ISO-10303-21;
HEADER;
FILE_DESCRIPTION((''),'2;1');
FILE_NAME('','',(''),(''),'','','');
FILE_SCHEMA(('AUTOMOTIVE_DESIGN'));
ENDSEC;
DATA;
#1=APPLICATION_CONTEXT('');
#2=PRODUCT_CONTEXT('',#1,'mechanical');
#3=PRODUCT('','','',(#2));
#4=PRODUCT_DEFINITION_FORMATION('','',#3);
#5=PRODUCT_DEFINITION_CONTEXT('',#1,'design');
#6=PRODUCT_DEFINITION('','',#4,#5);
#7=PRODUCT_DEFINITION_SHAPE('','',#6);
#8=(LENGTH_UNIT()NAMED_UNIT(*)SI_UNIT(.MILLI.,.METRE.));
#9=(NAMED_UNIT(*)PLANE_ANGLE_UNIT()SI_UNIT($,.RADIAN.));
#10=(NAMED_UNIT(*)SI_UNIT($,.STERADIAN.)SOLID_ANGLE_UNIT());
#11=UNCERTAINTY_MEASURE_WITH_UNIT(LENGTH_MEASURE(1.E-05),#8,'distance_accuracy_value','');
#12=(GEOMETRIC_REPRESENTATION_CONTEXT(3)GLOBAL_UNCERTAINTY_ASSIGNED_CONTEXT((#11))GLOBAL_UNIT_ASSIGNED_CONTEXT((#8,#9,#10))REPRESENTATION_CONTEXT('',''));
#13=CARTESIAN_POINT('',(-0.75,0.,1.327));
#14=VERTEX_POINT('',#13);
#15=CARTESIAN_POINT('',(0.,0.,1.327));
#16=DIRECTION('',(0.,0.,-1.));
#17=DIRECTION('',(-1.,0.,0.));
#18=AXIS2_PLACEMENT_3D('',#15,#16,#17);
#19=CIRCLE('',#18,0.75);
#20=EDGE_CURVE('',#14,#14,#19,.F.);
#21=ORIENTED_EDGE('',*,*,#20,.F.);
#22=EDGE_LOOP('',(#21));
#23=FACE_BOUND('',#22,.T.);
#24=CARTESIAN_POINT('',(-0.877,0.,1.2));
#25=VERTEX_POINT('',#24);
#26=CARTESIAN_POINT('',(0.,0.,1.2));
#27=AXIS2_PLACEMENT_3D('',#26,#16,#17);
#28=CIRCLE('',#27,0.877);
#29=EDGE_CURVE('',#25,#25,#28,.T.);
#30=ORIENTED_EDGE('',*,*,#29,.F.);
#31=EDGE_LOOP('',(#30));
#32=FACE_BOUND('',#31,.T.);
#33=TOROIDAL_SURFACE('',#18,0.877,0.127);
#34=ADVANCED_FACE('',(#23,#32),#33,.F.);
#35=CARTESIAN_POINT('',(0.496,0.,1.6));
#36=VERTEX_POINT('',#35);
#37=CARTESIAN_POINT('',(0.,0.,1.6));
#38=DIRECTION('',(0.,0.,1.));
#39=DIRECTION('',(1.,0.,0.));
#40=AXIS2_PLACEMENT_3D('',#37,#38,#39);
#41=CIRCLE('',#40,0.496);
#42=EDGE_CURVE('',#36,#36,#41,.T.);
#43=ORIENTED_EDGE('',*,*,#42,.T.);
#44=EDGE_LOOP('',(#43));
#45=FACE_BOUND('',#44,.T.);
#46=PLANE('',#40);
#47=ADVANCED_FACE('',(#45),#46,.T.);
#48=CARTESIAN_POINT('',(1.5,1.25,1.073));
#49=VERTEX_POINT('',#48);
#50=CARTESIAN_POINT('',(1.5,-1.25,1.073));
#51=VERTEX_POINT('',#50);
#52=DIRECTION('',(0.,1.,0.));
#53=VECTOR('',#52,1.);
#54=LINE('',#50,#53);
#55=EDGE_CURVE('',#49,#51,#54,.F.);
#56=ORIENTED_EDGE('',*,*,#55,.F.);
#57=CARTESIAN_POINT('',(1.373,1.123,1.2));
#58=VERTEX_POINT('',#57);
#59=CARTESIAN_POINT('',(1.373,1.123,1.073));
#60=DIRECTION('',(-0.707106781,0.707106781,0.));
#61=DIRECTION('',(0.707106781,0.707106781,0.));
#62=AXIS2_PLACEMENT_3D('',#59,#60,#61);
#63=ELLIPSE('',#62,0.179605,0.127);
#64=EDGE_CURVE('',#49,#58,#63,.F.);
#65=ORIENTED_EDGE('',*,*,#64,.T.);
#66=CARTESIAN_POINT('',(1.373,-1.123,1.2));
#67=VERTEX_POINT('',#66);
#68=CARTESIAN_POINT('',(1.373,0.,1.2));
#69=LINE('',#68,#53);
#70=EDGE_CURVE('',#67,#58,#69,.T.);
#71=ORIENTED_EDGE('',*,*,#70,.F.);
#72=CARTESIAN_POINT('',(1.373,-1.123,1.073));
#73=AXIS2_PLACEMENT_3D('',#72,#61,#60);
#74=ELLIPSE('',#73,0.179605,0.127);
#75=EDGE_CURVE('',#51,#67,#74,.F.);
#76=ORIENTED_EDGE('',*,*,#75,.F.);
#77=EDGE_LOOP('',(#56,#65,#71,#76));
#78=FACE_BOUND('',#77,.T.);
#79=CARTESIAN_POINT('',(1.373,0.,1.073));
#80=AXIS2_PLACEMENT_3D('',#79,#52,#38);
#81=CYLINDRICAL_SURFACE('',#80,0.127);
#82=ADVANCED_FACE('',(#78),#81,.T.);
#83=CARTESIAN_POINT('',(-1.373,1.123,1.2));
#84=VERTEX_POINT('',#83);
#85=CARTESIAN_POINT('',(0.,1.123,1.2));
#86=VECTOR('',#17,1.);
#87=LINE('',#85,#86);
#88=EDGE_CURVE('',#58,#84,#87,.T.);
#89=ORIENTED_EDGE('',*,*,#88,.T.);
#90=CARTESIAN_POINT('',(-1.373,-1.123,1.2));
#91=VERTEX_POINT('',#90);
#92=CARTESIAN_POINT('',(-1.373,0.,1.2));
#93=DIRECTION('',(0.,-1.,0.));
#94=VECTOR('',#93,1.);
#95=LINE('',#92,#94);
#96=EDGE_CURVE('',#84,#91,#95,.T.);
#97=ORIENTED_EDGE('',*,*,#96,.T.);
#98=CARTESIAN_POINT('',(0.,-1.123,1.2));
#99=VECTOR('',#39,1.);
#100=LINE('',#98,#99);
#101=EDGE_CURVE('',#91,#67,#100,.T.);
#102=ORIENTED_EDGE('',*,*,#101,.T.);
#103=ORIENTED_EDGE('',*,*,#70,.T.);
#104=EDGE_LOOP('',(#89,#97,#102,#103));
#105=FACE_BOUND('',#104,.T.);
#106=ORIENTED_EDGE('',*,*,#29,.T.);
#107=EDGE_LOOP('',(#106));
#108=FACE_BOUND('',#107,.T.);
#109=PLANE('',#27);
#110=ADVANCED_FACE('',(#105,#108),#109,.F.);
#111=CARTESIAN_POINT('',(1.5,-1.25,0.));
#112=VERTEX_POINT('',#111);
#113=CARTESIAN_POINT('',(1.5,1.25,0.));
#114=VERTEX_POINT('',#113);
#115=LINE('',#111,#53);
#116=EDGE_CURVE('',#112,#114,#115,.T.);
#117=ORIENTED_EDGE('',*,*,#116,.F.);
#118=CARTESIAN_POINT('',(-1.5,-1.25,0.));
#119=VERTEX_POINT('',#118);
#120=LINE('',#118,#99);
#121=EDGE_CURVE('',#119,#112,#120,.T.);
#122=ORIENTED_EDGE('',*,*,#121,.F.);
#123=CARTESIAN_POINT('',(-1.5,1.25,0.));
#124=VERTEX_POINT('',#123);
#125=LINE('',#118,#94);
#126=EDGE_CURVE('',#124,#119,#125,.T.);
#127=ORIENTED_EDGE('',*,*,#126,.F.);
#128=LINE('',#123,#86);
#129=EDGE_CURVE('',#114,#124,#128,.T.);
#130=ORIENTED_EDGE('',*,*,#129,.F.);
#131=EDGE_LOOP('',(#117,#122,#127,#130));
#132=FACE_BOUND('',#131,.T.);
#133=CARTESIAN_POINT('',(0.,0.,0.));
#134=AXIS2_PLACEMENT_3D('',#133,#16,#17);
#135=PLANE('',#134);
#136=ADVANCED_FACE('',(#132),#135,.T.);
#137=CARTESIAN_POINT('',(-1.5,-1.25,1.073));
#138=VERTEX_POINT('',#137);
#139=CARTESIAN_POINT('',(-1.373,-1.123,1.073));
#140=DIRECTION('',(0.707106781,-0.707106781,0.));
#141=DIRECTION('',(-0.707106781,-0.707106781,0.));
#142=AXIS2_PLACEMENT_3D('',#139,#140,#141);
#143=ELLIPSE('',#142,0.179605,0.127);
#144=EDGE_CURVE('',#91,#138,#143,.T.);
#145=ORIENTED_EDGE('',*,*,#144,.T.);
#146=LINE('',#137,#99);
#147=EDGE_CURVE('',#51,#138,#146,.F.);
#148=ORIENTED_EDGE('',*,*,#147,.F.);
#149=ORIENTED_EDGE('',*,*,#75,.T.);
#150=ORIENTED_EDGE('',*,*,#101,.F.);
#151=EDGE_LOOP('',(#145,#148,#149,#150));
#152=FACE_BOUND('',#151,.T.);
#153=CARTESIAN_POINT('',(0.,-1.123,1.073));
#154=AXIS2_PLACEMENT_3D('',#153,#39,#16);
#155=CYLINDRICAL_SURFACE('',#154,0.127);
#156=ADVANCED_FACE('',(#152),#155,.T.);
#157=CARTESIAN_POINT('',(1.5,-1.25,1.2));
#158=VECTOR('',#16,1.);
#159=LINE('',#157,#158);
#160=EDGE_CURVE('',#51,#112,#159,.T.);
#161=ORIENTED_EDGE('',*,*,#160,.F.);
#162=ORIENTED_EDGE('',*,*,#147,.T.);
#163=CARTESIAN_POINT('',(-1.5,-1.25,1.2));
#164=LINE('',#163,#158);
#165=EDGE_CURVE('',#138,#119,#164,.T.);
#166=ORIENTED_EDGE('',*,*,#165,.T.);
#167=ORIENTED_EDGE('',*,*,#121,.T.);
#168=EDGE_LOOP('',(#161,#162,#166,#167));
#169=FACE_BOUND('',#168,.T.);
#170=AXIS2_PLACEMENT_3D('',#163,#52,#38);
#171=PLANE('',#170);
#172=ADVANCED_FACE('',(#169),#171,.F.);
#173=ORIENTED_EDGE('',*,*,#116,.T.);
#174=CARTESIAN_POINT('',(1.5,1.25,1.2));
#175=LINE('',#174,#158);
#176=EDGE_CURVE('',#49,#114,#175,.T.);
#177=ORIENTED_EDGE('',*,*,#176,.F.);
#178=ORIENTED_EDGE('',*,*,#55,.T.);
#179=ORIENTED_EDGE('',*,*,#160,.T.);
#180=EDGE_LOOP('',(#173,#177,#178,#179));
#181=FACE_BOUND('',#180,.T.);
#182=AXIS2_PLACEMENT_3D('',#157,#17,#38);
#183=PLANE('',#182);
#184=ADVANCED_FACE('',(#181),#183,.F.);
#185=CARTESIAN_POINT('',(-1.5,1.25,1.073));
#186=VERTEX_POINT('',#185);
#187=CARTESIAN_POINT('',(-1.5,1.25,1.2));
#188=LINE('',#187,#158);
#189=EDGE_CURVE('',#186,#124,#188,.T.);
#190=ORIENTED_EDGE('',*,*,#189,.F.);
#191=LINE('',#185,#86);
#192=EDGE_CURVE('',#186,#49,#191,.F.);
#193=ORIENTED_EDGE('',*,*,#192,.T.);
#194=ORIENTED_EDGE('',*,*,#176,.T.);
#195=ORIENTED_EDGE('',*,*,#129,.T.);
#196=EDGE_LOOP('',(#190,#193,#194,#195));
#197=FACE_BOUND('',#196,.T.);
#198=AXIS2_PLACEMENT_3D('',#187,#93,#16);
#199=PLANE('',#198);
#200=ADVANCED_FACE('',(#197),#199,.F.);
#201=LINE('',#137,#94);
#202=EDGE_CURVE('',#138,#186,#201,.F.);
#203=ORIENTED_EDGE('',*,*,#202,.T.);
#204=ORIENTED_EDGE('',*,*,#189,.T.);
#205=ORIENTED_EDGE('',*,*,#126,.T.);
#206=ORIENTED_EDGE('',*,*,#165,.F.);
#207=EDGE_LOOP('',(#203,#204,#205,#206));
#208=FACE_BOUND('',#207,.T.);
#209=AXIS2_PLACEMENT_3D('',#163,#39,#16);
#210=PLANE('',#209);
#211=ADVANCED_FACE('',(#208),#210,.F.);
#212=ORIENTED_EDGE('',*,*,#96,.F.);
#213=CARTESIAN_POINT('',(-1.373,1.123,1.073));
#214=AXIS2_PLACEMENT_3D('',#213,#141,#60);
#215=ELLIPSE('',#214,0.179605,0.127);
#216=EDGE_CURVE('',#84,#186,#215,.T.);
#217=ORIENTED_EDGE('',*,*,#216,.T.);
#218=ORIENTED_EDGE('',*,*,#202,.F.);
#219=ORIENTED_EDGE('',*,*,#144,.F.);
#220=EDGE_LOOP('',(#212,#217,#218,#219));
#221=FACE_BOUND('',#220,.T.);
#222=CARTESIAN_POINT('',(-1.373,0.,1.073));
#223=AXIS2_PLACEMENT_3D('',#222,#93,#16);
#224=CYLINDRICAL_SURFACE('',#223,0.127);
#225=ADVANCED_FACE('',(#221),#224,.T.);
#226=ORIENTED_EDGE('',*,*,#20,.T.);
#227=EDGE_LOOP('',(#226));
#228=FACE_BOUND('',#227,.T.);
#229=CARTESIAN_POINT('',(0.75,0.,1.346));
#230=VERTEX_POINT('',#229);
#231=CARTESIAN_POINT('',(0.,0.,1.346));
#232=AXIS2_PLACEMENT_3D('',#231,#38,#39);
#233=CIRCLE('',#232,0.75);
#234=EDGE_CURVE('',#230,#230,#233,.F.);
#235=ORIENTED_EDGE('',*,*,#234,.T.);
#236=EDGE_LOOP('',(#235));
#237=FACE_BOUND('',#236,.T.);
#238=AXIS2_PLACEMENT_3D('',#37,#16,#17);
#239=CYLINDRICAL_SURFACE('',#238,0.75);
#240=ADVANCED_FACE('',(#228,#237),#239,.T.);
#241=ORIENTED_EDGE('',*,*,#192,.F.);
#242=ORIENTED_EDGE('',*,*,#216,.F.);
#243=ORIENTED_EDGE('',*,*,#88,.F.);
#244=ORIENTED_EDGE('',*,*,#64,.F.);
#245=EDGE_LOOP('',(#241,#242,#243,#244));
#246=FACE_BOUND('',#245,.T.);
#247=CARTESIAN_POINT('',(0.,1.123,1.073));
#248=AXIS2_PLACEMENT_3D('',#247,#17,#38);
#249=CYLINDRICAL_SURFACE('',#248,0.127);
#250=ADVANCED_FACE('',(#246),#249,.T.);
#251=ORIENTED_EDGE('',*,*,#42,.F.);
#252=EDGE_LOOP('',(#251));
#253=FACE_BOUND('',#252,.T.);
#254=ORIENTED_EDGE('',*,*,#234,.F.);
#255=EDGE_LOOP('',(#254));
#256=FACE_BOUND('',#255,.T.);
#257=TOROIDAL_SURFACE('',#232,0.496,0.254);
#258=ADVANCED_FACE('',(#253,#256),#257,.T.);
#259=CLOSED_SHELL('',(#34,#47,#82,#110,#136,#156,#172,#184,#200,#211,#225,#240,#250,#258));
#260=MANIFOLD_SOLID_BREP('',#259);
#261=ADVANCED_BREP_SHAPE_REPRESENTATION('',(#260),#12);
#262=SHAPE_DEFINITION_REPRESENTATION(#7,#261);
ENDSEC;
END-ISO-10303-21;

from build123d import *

# Parameters (mm, degrees)
SKETCH1_W           = 3
SKETCH1_H           = 2.5
BOSS_EXTRUDE1_DEPTH = 1.2
SKETCH2_R           = 0.75
BOSS_EXTRUDE2_DEPTH = 0.4
FILLET1_R           = 0.254
FILLET2_R           = 0.127


with BuildPart() as part:
    # Sketch1 → Boss-Extrude1 (new body)
    with BuildSketch(Plane.XY):
        Rectangle(SKETCH1_W, SKETCH1_H)
    extrude(amount=BOSS_EXTRUDE1_DEPTH)

    # Sketch2 → Boss-Extrude2 (add)
    with BuildSketch(Plane.XY.offset(1.2)):
        with Locations(Location((0, 0, 0), (0, 0, 180))):
            Circle(SKETCH2_R)
    extrude(amount=BOSS_EXTRUDE2_DEPTH)

    # Fillet1
    fillet1_edges = [part.edges().sort_by_distance(p)[0] for p in [
        (0.75, 0, 1.6),
    ]]
    fillet(fillet1_edges, radius=FILLET1_R)

    # Fillet2
    fillet2_edges = [part.edges().sort_by_distance(p)[0] for p in [
        (-1.5, 0, 1.2),
        (0, -1.25, 1.2),
        (0.75, 0, 1.2),
        (1.5, 0, 1.2),
        (0, 1.25, 1.2),
    ]]
    fillet(fillet2_edges, radius=FILLET2_R)


solid = part.part
